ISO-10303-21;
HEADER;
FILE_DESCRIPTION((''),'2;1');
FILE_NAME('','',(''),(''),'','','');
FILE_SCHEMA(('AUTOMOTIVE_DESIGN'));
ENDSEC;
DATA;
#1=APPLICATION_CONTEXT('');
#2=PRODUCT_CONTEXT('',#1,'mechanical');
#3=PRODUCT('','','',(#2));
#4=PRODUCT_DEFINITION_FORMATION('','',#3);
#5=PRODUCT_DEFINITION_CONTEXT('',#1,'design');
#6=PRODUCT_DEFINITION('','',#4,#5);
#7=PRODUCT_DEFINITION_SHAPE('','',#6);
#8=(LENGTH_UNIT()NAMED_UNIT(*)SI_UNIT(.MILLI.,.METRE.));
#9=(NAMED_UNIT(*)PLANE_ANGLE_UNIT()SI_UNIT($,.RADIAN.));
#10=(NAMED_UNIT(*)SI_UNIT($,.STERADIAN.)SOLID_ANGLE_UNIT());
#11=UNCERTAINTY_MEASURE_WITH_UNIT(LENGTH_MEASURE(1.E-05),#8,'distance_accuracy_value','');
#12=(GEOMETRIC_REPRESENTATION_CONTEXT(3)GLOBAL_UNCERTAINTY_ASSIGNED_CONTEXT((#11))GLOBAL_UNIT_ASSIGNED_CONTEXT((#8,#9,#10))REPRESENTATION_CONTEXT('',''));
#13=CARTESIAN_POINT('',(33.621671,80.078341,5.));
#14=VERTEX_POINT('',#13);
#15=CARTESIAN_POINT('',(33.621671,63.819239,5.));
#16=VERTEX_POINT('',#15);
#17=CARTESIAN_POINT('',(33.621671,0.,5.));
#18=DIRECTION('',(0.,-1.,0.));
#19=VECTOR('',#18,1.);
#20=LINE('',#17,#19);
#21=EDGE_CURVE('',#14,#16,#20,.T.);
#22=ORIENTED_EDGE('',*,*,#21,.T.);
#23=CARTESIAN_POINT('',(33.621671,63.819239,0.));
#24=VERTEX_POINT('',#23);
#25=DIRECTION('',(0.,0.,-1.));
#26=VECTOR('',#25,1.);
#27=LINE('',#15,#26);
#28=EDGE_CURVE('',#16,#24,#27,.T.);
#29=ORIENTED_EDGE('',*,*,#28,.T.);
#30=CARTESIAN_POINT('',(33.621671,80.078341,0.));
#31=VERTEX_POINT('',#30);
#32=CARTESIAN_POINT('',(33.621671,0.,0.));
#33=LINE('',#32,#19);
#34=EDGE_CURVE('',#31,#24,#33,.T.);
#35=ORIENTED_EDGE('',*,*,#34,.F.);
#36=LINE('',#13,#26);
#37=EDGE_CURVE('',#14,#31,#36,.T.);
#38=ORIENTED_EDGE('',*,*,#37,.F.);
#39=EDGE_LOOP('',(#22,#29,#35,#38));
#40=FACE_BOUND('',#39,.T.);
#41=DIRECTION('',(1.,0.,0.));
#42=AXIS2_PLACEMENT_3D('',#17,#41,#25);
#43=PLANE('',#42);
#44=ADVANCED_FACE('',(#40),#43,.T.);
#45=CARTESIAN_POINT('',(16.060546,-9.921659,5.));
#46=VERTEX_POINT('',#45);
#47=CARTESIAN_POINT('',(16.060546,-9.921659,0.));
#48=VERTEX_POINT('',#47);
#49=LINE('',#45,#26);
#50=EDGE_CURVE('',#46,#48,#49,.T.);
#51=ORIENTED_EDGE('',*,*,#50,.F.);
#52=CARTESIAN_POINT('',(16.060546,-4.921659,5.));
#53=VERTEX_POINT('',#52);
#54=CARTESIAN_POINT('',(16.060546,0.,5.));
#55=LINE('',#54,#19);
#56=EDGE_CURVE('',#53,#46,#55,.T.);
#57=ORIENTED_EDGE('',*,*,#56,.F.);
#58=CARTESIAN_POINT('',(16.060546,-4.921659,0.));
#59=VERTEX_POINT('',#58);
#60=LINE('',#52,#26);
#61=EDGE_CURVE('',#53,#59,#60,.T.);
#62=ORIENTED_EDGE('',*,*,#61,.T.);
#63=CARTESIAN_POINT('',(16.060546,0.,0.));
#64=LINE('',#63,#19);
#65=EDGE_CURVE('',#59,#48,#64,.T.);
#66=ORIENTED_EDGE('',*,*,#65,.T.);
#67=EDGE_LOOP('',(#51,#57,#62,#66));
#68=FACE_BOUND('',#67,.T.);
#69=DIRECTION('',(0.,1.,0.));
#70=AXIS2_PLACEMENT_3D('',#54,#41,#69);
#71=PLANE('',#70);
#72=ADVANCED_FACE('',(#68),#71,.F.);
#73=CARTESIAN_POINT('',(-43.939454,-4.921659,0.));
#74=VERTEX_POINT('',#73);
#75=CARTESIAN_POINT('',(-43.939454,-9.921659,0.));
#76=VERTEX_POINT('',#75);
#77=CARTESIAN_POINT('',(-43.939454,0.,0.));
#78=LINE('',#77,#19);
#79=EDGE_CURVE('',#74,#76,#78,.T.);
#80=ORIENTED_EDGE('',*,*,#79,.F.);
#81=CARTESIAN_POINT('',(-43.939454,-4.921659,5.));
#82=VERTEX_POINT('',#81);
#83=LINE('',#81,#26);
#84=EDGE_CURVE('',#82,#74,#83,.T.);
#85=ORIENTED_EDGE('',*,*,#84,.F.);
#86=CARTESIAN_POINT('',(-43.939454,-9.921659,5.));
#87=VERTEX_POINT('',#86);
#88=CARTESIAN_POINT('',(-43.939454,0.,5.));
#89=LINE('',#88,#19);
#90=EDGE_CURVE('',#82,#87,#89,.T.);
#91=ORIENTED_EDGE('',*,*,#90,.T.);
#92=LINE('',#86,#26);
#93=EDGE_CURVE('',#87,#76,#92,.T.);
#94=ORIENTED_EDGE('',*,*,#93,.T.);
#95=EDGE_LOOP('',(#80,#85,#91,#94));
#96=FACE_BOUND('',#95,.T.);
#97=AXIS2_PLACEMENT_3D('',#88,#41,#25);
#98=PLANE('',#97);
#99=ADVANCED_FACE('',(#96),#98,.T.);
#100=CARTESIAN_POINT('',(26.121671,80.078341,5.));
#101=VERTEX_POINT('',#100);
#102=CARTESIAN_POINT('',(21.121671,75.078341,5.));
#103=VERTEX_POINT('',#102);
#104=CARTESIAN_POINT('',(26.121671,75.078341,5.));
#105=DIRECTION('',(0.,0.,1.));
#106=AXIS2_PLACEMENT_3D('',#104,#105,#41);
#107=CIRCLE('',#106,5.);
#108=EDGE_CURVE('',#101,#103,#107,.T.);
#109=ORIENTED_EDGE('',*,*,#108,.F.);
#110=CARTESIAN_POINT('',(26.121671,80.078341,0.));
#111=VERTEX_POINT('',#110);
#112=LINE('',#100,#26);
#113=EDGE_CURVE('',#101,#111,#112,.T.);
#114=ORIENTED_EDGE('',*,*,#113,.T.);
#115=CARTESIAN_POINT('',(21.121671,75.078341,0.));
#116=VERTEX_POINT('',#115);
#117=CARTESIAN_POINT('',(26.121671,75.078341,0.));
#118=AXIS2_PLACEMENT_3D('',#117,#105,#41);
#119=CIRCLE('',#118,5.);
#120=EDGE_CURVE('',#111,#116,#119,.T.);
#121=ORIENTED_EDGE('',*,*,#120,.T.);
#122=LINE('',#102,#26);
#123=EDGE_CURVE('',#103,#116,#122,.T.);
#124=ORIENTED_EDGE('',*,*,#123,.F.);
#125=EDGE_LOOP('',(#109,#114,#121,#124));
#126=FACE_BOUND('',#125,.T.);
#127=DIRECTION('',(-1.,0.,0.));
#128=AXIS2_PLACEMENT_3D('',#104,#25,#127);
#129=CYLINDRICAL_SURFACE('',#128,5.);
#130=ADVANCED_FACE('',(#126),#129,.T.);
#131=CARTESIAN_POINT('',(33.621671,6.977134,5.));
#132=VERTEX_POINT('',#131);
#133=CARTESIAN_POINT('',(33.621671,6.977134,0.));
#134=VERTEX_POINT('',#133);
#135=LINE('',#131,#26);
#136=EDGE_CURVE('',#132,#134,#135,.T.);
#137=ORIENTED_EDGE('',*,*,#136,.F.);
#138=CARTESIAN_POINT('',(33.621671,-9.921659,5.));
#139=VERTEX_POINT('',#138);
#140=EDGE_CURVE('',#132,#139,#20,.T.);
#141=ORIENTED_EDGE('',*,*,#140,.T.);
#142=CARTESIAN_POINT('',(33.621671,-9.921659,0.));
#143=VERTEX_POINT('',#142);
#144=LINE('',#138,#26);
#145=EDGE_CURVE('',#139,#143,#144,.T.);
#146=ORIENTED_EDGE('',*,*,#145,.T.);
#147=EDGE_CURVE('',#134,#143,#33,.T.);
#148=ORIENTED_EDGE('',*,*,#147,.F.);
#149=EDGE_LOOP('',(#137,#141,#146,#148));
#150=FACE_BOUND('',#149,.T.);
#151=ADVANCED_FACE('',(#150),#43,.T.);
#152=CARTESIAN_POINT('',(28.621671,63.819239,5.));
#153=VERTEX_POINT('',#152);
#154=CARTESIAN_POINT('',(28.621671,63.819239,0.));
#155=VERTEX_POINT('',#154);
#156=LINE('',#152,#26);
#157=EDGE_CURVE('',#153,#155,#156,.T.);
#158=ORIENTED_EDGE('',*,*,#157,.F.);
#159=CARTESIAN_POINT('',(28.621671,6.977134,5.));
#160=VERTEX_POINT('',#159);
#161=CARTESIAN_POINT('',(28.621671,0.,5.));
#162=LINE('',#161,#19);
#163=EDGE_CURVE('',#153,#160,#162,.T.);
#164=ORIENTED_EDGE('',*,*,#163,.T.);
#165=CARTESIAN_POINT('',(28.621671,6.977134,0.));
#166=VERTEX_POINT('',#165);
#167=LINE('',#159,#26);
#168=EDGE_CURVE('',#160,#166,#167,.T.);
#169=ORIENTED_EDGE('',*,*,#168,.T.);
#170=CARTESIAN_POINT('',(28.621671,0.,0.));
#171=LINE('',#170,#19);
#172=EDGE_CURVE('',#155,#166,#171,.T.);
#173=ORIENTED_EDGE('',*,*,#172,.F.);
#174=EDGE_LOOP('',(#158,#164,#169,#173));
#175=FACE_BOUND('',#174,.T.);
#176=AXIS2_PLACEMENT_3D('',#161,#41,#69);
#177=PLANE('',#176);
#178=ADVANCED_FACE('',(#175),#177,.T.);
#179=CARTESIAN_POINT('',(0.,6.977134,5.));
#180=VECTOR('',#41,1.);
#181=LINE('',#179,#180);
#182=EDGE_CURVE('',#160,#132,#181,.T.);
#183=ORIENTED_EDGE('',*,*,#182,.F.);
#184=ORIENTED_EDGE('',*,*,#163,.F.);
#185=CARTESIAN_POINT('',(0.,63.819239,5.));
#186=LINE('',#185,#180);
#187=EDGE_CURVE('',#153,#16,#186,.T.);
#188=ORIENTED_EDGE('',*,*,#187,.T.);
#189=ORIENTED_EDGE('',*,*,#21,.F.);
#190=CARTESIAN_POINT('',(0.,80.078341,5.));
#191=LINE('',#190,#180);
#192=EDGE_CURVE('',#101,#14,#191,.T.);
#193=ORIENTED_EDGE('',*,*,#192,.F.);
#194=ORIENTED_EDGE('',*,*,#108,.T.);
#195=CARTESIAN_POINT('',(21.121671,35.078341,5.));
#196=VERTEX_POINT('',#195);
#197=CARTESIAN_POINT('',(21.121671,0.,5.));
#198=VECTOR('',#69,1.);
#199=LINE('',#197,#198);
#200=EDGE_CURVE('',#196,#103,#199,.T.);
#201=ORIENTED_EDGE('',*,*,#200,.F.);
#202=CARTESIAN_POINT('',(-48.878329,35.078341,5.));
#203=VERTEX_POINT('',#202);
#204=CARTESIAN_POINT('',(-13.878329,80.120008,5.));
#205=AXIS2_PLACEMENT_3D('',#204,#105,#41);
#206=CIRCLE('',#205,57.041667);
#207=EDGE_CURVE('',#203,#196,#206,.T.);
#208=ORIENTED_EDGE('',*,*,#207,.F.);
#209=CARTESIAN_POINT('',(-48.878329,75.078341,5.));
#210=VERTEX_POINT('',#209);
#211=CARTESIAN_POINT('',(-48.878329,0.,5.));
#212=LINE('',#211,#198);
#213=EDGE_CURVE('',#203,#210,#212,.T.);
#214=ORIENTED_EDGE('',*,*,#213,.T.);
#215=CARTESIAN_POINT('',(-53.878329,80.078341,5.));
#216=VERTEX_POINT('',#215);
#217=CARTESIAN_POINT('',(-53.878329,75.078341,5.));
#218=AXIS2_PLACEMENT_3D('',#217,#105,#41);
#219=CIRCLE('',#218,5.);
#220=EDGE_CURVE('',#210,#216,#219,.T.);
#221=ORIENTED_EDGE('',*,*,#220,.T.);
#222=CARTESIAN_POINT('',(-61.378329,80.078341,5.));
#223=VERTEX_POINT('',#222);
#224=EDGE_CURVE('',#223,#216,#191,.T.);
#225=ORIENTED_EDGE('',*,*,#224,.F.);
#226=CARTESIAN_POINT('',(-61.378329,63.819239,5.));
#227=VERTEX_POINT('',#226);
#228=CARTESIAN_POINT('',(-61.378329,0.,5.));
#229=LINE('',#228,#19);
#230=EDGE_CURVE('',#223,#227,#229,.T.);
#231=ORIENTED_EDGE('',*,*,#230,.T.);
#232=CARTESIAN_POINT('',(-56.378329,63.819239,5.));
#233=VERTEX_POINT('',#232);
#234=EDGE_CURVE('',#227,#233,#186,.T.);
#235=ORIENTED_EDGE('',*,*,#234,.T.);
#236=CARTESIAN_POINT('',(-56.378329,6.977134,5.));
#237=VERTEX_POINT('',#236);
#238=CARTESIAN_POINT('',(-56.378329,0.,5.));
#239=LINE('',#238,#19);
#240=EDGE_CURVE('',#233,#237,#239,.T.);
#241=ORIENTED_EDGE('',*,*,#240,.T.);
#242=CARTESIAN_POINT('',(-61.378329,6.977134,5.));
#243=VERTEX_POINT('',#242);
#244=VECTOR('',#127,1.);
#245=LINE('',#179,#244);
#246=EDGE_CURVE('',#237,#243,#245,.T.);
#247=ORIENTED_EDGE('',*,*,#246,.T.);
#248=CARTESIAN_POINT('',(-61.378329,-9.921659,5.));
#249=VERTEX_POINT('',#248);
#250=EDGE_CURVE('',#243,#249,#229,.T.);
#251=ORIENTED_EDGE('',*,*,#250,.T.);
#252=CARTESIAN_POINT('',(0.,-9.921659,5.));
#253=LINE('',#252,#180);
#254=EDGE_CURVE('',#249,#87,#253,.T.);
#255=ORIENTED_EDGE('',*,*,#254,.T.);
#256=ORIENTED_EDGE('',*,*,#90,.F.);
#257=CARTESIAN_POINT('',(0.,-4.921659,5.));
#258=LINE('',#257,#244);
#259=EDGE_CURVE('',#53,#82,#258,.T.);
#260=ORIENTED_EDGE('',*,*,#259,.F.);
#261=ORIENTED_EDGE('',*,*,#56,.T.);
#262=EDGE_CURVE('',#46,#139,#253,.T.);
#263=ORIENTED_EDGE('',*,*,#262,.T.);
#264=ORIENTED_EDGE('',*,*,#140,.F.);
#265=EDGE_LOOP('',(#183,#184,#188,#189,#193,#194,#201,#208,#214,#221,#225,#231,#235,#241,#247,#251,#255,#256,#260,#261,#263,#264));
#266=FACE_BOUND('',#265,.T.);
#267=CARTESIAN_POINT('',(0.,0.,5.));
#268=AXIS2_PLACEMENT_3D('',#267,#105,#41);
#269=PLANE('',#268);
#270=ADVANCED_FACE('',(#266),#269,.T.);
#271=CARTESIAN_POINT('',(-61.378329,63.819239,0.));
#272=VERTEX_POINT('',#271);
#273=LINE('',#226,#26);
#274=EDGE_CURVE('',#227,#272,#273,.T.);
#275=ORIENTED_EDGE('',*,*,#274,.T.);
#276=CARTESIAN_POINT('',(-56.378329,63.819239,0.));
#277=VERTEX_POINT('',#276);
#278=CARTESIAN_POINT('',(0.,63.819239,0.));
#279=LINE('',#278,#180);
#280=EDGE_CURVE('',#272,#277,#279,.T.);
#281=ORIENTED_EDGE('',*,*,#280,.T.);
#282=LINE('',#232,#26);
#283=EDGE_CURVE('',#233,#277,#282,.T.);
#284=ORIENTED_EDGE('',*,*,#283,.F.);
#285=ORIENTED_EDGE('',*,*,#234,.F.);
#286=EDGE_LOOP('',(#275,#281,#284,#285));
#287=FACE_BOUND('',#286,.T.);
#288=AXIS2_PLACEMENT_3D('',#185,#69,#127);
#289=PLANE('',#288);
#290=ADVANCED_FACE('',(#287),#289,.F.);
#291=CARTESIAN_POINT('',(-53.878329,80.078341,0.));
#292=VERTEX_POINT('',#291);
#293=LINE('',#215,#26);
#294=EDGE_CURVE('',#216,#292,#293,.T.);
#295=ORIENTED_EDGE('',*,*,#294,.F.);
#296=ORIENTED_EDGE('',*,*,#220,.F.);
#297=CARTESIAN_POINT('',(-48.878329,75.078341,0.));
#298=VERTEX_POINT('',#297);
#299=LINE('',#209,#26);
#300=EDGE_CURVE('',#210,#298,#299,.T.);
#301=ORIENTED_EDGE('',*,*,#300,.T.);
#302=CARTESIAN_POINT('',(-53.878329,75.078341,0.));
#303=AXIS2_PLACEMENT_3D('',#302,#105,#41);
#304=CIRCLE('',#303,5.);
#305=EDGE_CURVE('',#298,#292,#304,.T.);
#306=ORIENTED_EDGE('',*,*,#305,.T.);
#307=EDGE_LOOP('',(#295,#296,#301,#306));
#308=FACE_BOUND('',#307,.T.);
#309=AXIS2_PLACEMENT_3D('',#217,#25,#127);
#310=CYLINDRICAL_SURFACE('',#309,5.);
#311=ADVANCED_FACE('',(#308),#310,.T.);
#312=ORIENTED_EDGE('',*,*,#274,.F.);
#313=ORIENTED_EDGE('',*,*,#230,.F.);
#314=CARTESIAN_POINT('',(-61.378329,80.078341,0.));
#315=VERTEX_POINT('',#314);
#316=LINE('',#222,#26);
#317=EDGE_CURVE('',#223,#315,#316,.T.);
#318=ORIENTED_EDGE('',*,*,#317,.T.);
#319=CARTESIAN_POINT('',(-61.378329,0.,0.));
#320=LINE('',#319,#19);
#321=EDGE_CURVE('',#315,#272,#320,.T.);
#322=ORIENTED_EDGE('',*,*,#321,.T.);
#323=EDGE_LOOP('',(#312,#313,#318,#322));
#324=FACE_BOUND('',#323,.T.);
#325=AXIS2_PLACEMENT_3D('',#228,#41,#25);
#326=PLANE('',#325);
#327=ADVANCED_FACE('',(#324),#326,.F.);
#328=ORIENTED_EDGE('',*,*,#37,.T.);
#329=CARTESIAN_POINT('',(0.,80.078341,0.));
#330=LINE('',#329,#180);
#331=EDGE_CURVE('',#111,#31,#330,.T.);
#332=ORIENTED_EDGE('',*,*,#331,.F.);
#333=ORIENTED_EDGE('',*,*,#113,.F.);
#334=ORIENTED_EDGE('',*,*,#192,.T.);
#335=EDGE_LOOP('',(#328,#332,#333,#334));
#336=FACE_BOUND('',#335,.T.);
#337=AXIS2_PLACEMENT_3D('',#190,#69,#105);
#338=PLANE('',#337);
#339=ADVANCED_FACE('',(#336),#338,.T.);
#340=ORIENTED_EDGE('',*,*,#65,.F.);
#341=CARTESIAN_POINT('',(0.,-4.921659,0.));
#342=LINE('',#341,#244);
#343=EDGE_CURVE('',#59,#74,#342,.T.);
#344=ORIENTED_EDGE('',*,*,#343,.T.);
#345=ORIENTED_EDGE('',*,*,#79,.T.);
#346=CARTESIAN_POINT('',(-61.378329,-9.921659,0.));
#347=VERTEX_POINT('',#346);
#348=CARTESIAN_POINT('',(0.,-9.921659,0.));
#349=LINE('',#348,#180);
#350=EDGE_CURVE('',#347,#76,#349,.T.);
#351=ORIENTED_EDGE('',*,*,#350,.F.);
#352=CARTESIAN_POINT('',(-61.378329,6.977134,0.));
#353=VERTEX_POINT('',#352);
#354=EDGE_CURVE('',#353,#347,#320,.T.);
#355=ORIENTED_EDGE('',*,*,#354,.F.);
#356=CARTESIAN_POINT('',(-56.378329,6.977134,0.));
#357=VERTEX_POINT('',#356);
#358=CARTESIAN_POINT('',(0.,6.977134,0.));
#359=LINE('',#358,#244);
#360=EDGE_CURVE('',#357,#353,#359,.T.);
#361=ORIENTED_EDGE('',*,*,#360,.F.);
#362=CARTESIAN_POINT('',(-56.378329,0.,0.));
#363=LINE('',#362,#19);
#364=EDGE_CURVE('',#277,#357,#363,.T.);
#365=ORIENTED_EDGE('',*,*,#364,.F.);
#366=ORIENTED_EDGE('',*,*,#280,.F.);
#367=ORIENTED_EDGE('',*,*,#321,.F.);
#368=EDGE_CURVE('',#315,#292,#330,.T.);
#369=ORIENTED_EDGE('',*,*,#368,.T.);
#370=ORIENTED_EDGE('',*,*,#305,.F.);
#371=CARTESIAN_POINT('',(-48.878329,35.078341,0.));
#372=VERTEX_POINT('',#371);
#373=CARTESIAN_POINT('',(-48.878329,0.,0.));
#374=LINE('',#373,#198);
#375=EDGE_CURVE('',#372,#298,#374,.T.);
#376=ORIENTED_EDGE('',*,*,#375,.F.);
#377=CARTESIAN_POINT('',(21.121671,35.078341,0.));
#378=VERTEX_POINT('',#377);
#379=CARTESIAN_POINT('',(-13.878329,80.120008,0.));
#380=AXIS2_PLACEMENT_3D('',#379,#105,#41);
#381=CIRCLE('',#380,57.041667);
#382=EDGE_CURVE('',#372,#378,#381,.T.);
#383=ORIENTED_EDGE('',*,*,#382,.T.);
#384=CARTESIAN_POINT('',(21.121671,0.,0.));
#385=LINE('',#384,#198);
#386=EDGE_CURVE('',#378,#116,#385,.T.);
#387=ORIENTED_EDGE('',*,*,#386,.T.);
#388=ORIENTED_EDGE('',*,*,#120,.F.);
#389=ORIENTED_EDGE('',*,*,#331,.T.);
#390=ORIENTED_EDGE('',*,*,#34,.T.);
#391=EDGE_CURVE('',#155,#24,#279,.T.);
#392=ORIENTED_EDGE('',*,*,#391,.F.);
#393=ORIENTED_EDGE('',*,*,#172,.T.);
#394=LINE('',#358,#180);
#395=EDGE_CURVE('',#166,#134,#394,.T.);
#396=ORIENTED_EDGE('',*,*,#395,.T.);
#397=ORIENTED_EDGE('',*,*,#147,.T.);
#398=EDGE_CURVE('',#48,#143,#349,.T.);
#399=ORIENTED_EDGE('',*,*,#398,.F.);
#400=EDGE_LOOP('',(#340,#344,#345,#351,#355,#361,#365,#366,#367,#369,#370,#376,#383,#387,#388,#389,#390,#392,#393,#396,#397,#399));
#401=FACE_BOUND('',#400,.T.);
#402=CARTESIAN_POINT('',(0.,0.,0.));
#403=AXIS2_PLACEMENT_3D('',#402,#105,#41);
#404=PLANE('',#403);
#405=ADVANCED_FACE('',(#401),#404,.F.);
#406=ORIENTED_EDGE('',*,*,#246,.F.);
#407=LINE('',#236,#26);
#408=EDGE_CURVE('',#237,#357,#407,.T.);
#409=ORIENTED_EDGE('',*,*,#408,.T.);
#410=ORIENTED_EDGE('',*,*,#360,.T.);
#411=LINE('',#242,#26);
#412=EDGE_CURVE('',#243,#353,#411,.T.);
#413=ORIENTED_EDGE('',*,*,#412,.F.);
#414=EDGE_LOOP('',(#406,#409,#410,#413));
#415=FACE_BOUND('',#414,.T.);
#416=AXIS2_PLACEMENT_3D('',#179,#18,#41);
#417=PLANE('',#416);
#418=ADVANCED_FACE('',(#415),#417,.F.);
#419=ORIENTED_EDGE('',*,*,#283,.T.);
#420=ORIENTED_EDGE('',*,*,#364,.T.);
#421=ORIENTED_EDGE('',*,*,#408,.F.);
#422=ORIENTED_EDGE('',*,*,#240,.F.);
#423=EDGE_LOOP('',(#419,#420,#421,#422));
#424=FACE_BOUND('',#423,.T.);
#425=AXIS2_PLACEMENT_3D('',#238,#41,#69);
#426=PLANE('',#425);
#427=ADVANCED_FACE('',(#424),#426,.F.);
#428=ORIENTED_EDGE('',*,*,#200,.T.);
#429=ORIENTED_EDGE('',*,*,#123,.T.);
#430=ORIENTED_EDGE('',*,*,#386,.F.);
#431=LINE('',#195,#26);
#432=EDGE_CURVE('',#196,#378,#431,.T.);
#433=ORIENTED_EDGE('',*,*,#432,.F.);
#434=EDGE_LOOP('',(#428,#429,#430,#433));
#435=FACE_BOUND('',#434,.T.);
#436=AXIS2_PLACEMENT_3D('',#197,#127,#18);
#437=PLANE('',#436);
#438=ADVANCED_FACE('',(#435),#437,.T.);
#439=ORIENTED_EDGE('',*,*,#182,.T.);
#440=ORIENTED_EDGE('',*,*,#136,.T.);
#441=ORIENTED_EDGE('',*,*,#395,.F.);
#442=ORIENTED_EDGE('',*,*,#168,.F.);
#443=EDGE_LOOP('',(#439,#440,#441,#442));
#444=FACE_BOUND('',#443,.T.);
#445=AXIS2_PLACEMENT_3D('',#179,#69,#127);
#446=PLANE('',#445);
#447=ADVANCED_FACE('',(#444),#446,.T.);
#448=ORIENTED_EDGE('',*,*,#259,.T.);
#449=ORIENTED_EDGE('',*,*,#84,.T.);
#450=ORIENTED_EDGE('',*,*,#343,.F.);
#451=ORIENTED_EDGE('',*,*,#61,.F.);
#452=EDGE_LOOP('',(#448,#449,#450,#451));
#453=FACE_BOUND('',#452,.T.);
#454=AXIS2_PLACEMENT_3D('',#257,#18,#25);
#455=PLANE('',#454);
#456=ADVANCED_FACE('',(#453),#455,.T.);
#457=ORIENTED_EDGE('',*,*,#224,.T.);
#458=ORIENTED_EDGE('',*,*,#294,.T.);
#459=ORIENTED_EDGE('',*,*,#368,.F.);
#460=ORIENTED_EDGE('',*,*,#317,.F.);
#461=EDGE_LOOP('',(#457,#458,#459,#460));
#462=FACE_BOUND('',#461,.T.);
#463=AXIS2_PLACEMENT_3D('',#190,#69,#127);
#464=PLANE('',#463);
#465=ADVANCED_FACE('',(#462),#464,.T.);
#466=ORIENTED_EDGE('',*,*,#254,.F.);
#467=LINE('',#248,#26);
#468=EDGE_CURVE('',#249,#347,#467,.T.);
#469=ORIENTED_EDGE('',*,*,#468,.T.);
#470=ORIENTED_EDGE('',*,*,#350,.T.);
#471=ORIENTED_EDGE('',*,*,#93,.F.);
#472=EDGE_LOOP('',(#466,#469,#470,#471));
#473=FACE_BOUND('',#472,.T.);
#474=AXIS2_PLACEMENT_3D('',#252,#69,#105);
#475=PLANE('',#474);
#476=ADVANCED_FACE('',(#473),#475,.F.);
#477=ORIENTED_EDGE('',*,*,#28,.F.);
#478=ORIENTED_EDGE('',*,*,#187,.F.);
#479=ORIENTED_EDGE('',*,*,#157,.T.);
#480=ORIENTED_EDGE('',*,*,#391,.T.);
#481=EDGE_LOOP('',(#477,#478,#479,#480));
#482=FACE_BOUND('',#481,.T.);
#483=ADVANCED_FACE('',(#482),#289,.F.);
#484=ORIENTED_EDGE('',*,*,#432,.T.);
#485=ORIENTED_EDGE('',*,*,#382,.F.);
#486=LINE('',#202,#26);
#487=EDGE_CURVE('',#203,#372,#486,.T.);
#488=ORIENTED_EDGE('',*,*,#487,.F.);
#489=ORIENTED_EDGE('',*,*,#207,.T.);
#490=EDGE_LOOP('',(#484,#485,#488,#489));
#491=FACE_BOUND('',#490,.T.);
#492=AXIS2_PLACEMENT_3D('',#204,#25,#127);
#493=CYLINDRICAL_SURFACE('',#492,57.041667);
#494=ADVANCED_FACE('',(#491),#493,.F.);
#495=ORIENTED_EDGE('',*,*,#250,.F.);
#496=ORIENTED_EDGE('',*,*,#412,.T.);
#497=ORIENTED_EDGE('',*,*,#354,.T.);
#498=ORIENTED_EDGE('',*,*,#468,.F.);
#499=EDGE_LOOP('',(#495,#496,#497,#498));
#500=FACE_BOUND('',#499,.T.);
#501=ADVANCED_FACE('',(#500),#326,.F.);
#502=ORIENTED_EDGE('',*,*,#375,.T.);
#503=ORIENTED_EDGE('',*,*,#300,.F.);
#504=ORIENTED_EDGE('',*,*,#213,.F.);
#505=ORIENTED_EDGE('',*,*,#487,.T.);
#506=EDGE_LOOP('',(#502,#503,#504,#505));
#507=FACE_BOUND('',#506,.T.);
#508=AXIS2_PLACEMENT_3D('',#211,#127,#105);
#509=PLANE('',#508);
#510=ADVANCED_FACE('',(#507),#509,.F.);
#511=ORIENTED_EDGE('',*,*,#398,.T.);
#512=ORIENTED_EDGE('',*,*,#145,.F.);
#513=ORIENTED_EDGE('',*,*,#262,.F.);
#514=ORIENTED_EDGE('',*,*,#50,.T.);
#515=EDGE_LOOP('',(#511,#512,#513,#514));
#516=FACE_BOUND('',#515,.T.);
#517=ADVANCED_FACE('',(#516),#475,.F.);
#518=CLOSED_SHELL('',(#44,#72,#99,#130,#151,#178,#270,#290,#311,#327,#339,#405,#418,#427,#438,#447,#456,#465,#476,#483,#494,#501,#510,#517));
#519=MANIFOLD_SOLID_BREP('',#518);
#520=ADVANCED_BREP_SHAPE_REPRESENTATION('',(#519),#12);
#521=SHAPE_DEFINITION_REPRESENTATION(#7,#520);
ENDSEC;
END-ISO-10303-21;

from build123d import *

# Parameters (mm, degrees)
AUFSATZ_LINEAR_AUSTRAGEN1_DEPTH = 5


with BuildPart() as part:
    # Skizze1 → Aufsatz-Linear austragen1 (new body)
    with BuildSketch(Plane.XY):
        with BuildLine():
            Line((-61.378328771, 63.819239112), (-56.378328771, 63.819239112))
            Line((-56.378328771, 63.819239112), (-56.378328771, 6.977133849))
            Line((-56.378328771, 6.977133849), (-61.378328771, 6.977133849))
            Line((-61.378328771, 6.977133849), (-61.378328771, -9.921658625))
            Line((-61.378328771, -9.921658625), (-43.939454059, -9.921658625))
            Line((-43.939454059, -9.921658625), (-43.939454059, -4.921658625))
            Line((-43.939454059, -4.921658625), (16.060545941, -4.921658625))
            Line((16.060545941, -4.921658625), (16.060545941, -9.921658625))
            Line((16.060545941, -9.921658625), (33.621671229, -9.921658625))
            Line((33.621671229, -9.921658625), (33.621671229, 6.977133849))
            Line((33.621671229, 6.977133849), (28.621671229, 6.977133849))
            Line((28.621671229, 6.977133849), (28.621671229, 63.819239112))
            Line((28.621671229, 63.819239112), (33.621671229, 63.819239112))
            Line((33.621671229, 63.819239112), (33.621671229, 80.078341375))
            Line((33.621671229, 80.078341375), (26.121671229, 80.078341375))
            ThreePointArc((26.121671229, 80.078341375), (22.586137323, 78.613875281), (21.121671229, 75.078341375))
            Line((21.121671229, 75.078341375), (21.121671229, 35.078341375))
            ThreePointArc((21.121671229, 35.078341375), (-13.878328771, 23.078341375), (-48.878328771, 35.078341375))
            Line((-48.878328771, 35.078341375), (-48.878328771, 75.078341375))
            ThreePointArc((-48.878328771, 75.078341375), (-50.342794866, 78.613875281), (-53.878328771, 80.078341375))
            Line((-53.878328771, 80.078341375), (-61.378328771, 80.078341375))
            Line((-61.378328771, 80.078341375), (-61.378328771, 63.819239112))
        make_face()
    extrude(amount=AUFSATZ_LINEAR_AUSTRAGEN1_DEPTH)


solid = part.part
